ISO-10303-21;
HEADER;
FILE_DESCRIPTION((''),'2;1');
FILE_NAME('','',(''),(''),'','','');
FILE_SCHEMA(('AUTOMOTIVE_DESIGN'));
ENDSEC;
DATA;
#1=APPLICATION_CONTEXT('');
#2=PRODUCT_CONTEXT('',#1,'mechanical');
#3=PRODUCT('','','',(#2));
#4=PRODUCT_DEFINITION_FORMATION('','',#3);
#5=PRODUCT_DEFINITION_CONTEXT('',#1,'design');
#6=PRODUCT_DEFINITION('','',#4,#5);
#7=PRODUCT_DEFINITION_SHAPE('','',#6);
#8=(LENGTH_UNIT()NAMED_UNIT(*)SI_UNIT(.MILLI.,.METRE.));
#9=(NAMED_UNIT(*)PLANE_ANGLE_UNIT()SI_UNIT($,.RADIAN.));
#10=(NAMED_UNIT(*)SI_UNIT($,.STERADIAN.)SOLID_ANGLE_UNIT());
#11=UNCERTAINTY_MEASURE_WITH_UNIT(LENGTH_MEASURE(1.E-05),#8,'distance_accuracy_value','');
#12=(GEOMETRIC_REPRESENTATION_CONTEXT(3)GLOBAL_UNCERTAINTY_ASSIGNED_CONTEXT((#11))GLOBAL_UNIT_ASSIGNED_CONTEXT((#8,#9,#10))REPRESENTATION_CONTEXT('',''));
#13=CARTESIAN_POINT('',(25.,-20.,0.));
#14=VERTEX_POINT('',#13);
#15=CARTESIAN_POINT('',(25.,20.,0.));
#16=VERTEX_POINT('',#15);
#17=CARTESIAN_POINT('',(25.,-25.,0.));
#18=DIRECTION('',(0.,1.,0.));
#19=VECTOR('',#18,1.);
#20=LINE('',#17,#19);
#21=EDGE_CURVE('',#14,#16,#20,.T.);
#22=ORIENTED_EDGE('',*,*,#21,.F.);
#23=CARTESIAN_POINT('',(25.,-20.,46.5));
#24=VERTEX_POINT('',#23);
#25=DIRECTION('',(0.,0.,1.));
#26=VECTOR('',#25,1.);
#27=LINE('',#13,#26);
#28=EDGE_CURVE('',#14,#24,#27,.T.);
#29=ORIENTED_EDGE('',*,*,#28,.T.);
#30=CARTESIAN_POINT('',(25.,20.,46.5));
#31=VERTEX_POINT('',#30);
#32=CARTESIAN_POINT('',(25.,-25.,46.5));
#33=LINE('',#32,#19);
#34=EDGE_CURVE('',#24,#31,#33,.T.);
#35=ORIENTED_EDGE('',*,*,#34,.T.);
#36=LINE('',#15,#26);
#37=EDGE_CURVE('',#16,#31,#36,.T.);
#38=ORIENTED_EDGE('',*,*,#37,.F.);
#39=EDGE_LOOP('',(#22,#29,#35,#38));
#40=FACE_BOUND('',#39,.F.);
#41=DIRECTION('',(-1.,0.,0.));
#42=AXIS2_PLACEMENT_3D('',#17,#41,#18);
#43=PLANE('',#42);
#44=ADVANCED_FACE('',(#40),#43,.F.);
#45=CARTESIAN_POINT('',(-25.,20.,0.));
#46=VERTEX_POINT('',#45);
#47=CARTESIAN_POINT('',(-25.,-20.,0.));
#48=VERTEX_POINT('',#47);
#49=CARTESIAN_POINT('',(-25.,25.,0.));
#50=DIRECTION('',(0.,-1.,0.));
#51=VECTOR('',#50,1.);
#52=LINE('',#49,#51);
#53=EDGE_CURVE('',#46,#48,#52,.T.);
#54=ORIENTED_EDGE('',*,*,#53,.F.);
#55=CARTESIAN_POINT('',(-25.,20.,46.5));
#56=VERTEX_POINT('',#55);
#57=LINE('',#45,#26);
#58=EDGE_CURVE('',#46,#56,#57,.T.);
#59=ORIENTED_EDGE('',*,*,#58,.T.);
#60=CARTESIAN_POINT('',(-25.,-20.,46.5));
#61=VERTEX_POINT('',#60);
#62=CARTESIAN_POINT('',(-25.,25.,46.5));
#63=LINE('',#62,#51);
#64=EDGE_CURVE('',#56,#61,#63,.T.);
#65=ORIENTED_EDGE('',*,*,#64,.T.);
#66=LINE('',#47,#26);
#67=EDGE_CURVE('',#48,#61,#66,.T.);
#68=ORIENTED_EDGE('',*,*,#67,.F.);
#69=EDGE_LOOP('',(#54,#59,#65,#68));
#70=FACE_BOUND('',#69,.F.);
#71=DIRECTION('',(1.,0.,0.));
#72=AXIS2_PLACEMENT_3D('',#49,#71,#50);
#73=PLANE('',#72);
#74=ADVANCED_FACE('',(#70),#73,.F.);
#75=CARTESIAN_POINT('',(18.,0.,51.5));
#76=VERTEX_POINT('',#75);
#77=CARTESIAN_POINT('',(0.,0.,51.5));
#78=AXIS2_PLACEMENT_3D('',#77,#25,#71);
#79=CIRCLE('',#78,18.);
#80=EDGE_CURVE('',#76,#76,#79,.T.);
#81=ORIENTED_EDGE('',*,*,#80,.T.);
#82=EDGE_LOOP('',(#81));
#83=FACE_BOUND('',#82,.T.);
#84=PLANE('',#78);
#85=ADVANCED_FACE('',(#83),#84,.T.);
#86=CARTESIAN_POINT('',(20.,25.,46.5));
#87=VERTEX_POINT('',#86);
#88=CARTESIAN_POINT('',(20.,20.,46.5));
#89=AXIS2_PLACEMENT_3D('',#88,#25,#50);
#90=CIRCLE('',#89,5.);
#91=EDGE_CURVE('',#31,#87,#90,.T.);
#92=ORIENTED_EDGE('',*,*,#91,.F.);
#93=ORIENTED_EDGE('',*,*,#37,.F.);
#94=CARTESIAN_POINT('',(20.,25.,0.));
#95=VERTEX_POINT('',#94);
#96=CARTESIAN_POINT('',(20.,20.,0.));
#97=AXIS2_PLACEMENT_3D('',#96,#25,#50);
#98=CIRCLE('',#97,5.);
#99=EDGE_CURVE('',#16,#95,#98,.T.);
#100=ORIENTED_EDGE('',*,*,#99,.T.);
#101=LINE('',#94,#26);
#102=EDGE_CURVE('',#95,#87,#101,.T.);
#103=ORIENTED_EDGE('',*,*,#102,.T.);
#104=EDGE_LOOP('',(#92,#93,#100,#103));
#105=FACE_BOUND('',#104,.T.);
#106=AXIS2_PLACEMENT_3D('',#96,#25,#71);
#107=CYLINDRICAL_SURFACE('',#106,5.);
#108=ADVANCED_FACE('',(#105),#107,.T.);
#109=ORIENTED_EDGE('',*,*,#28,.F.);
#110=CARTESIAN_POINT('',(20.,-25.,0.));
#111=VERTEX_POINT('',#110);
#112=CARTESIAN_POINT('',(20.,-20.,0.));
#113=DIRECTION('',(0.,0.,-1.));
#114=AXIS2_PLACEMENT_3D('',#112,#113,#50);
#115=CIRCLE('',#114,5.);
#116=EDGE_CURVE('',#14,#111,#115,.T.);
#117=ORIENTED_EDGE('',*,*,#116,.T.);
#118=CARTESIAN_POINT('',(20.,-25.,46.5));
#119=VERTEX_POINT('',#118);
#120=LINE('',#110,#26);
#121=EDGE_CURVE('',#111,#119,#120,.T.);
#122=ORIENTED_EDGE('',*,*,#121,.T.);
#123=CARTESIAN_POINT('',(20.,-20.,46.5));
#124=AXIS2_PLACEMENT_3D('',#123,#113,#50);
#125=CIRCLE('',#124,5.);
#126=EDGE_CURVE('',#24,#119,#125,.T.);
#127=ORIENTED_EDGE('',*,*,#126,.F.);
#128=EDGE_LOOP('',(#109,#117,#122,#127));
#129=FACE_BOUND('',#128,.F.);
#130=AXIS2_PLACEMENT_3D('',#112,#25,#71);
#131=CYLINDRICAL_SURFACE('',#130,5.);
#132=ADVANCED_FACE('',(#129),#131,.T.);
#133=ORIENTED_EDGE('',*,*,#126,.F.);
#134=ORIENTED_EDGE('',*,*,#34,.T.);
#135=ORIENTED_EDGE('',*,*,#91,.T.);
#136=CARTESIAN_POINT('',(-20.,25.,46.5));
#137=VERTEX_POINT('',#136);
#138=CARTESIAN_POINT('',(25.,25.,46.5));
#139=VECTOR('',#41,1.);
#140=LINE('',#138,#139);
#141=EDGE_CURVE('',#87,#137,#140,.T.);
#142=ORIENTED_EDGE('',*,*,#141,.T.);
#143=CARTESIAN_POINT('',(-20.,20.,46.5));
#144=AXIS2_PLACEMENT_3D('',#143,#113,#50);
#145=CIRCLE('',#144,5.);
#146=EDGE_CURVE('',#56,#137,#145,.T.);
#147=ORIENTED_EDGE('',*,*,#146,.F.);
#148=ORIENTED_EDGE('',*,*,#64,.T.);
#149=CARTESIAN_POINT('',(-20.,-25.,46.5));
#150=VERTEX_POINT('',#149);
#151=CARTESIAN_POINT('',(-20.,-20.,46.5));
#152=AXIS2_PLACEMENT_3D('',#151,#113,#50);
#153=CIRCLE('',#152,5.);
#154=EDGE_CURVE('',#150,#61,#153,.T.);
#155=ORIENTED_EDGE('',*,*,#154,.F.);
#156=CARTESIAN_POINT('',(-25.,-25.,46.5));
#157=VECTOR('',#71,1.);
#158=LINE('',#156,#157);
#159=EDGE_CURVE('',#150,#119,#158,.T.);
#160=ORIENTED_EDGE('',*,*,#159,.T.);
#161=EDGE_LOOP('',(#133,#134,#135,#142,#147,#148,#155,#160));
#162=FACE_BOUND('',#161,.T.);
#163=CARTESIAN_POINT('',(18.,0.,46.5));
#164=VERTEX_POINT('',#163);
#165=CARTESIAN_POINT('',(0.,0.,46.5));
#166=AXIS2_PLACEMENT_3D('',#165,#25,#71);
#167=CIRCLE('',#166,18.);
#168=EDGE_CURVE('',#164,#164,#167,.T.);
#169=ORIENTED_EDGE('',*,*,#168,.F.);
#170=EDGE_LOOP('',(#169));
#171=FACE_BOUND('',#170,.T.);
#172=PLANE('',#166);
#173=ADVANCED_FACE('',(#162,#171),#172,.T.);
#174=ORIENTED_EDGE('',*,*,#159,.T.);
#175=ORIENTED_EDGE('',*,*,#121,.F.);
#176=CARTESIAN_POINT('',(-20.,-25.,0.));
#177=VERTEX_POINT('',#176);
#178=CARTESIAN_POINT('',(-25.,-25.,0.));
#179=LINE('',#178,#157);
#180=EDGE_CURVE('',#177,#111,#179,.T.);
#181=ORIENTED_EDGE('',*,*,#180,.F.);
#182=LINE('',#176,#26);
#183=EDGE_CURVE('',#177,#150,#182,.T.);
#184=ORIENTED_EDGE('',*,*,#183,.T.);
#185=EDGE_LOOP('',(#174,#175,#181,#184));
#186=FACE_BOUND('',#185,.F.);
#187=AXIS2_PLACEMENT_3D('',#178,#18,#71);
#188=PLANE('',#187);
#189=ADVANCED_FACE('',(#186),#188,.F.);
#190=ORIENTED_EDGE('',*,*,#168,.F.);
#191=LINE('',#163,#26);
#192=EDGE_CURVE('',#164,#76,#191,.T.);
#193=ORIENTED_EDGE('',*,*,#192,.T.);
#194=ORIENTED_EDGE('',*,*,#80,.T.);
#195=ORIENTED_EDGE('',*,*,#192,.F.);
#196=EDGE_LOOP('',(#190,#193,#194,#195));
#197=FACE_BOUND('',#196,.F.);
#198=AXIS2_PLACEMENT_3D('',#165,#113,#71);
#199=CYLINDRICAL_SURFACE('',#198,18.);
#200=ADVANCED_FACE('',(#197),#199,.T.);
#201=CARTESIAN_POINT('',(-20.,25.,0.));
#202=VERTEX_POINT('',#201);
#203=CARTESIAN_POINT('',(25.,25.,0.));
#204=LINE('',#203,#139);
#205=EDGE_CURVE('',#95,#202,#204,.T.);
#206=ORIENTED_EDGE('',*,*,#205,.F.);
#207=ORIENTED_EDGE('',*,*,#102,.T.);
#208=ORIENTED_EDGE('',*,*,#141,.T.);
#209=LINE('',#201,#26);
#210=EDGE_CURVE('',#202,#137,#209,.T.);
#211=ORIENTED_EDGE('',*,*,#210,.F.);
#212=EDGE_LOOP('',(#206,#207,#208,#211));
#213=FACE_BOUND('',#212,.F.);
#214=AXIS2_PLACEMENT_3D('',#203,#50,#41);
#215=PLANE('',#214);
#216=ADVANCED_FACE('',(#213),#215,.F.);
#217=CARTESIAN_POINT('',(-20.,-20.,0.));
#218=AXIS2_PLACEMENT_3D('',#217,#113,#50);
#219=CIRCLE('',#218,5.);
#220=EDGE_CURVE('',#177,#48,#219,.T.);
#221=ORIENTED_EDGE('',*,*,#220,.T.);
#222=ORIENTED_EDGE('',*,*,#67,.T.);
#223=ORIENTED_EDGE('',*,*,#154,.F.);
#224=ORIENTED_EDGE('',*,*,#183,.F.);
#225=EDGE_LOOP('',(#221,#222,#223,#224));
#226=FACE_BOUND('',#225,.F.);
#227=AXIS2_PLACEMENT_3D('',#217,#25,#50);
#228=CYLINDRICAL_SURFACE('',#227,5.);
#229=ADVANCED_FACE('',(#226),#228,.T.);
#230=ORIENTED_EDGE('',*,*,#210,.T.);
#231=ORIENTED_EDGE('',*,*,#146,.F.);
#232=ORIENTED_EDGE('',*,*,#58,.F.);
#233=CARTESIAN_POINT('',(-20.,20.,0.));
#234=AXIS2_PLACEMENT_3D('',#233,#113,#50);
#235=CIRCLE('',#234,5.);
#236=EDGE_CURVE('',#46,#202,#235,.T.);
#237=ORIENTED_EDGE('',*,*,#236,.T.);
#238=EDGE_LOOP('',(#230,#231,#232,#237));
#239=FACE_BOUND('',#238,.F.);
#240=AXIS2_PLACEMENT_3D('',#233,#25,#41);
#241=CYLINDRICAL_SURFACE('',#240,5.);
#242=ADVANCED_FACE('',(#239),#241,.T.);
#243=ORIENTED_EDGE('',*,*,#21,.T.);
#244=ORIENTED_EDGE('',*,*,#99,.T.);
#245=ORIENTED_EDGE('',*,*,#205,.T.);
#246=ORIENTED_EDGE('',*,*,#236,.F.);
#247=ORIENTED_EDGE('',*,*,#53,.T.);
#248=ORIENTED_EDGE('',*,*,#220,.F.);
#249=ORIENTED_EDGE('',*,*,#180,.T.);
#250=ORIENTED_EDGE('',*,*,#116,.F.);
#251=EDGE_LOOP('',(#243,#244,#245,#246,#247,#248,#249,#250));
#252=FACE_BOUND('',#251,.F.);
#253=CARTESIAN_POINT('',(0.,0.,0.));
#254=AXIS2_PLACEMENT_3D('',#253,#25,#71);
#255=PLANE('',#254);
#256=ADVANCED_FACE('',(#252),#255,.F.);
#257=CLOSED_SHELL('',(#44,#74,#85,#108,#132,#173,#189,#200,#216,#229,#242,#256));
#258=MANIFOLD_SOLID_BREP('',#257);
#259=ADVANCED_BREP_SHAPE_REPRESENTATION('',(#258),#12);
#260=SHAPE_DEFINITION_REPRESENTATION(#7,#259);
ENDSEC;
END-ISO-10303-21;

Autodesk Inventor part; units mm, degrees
ref_plane "YZ Plane" through (0, 0, 0) normal (1, 0, 0) x (0, 1, 0)
ref_plane "XZ Plane" through (0, 0, 0) normal (0, 1, 0) x (-1, 0, 0)
ref_plane "XY Plane" through (0, 0, 0) normal (0, 0, 1) x (1, 0, 0)
sketch "Sketch1" plane through (0, 0, 0) normal (0, 0, 1) x (1, 0, 0)
  line L0 (25, 25) -> (-25, 25)
  line L1 (-25, 25) -> (-25, -25)
  line L2 (-25, -25) -> (25, -25)
  line L3 (25, -25) -> (25, 25)
  line L4 (25, 25) -> (-25, -25) construction
  line L5 (-25, 25) -> (25, -25) construction
  point P0 (0, 0)
  dimension "d0" = 50
  dimension "d1" = 50
extrude "Extrusion1" add sketch "Sketch1" along normal blind 46.5
fillet "Fillet1" radius 5 4 edges at (-25, -25, 23.25) (25, -25, 23.25) (25, 25, 23.25) (-25, 25, 23.25)
sketch "Sketch2" plane through (0, 0, 46.5) normal (0, 0, 1) x (1, 0, 0)
  circle A0 centre (0, 0) radius 18
  dimension "d5" = 36
extrude "Extrusion2" add sketch "Sketch2" along normal blind 5
properties part number "Camera" material "Steel, Carbon"
